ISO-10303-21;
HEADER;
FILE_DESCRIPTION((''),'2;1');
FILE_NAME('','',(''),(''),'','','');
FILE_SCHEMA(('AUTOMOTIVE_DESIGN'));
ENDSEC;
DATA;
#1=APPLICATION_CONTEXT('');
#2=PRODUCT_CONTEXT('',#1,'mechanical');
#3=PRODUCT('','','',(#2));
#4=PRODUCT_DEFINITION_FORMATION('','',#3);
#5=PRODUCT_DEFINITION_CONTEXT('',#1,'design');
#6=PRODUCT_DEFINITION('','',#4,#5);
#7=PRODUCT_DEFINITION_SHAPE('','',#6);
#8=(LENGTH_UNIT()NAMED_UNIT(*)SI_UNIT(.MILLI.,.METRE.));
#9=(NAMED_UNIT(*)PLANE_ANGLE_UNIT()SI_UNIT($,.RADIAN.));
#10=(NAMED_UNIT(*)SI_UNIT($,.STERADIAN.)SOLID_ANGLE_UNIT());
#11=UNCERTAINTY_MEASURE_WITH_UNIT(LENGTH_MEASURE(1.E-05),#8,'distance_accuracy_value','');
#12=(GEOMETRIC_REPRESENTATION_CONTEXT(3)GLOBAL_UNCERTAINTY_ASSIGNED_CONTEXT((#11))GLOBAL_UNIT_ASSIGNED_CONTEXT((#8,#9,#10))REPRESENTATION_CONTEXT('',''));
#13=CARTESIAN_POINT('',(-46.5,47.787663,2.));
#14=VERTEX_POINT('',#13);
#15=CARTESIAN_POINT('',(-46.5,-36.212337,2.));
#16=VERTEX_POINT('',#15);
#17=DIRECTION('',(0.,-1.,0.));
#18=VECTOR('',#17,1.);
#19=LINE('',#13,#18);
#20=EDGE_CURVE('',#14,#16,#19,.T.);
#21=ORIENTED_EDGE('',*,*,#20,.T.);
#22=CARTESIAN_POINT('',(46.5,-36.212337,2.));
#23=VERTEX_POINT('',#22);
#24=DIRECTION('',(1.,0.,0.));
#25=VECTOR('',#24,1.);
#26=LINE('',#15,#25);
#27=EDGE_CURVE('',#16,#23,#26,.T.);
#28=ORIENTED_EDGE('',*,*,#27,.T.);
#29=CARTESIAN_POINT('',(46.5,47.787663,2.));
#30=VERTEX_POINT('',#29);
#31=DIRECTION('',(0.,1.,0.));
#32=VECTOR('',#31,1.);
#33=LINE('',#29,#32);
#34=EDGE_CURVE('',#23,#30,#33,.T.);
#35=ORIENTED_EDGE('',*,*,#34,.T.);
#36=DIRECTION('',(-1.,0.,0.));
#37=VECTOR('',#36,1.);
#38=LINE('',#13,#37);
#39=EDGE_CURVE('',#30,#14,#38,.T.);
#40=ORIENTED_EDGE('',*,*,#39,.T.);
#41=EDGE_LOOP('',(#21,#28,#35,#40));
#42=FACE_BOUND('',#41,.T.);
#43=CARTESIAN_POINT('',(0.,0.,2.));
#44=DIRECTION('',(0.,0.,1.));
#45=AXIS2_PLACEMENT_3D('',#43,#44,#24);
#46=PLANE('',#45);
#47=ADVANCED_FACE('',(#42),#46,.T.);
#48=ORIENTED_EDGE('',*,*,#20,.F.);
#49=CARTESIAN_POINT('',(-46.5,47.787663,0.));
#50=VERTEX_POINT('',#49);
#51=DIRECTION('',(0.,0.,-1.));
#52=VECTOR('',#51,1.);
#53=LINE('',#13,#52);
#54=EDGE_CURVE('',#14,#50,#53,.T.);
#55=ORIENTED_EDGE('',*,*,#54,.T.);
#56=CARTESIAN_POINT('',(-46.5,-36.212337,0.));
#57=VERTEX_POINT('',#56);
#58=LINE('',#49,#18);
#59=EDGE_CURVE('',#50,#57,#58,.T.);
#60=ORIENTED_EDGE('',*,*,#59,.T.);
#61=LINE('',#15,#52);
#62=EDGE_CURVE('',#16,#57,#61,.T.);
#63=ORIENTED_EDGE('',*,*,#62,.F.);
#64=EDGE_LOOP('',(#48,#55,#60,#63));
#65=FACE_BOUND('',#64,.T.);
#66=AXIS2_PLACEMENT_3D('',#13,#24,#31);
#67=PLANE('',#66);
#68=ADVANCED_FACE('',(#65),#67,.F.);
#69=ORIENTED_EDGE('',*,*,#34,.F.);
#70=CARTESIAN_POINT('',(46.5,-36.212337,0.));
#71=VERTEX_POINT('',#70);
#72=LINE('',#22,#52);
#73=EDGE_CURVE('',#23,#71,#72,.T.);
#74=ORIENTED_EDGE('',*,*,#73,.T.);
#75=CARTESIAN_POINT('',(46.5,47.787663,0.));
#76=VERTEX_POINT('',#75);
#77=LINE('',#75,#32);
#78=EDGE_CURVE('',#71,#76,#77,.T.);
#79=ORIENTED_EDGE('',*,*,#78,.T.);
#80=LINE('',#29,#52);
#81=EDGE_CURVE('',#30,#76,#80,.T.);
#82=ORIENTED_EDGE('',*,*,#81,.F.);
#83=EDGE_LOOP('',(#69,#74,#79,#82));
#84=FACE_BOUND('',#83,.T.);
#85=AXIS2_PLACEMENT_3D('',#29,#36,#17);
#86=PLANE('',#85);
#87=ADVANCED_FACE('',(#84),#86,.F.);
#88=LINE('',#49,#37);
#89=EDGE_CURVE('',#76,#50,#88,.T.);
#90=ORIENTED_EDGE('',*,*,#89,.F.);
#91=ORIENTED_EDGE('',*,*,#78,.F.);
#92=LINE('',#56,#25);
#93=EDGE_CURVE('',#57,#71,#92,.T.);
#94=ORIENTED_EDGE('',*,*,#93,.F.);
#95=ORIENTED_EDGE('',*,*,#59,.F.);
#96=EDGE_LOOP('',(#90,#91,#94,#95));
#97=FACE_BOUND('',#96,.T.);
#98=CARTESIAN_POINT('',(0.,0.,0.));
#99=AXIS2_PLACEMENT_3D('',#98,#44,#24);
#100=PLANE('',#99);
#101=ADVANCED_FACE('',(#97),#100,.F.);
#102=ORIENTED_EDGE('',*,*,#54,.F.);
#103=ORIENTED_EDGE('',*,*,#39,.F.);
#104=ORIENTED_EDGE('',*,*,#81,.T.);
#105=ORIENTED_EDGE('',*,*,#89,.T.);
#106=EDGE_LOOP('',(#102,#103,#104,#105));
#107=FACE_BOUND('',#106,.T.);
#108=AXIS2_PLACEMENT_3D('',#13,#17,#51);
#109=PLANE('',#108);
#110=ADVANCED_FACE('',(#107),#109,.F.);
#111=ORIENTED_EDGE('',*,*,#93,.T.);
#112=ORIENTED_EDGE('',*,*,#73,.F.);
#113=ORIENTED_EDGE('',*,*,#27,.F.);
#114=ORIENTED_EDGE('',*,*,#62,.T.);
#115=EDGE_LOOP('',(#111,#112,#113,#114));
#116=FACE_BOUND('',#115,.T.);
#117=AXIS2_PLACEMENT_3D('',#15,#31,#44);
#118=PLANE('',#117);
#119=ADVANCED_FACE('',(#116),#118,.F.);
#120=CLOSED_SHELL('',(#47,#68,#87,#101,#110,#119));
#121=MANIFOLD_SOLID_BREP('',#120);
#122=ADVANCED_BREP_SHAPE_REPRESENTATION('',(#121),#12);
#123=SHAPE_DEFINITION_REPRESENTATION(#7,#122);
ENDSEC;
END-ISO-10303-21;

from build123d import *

# Parameters (mm, degrees)
SKETCH1_W           = 93
SKETCH1_H           = 84
BOSS_EXTRUDE1_DEPTH = 2


with BuildPart() as part:
    # Sketch1 → Boss-Extrude1 (new body)
    with BuildSketch(Plane.XY):
        with Locations((0, 5.787663458)):
            Rectangle(SKETCH1_W, SKETCH1_H)
    extrude(amount=BOSS_EXTRUDE1_DEPTH)


solid = part.part
